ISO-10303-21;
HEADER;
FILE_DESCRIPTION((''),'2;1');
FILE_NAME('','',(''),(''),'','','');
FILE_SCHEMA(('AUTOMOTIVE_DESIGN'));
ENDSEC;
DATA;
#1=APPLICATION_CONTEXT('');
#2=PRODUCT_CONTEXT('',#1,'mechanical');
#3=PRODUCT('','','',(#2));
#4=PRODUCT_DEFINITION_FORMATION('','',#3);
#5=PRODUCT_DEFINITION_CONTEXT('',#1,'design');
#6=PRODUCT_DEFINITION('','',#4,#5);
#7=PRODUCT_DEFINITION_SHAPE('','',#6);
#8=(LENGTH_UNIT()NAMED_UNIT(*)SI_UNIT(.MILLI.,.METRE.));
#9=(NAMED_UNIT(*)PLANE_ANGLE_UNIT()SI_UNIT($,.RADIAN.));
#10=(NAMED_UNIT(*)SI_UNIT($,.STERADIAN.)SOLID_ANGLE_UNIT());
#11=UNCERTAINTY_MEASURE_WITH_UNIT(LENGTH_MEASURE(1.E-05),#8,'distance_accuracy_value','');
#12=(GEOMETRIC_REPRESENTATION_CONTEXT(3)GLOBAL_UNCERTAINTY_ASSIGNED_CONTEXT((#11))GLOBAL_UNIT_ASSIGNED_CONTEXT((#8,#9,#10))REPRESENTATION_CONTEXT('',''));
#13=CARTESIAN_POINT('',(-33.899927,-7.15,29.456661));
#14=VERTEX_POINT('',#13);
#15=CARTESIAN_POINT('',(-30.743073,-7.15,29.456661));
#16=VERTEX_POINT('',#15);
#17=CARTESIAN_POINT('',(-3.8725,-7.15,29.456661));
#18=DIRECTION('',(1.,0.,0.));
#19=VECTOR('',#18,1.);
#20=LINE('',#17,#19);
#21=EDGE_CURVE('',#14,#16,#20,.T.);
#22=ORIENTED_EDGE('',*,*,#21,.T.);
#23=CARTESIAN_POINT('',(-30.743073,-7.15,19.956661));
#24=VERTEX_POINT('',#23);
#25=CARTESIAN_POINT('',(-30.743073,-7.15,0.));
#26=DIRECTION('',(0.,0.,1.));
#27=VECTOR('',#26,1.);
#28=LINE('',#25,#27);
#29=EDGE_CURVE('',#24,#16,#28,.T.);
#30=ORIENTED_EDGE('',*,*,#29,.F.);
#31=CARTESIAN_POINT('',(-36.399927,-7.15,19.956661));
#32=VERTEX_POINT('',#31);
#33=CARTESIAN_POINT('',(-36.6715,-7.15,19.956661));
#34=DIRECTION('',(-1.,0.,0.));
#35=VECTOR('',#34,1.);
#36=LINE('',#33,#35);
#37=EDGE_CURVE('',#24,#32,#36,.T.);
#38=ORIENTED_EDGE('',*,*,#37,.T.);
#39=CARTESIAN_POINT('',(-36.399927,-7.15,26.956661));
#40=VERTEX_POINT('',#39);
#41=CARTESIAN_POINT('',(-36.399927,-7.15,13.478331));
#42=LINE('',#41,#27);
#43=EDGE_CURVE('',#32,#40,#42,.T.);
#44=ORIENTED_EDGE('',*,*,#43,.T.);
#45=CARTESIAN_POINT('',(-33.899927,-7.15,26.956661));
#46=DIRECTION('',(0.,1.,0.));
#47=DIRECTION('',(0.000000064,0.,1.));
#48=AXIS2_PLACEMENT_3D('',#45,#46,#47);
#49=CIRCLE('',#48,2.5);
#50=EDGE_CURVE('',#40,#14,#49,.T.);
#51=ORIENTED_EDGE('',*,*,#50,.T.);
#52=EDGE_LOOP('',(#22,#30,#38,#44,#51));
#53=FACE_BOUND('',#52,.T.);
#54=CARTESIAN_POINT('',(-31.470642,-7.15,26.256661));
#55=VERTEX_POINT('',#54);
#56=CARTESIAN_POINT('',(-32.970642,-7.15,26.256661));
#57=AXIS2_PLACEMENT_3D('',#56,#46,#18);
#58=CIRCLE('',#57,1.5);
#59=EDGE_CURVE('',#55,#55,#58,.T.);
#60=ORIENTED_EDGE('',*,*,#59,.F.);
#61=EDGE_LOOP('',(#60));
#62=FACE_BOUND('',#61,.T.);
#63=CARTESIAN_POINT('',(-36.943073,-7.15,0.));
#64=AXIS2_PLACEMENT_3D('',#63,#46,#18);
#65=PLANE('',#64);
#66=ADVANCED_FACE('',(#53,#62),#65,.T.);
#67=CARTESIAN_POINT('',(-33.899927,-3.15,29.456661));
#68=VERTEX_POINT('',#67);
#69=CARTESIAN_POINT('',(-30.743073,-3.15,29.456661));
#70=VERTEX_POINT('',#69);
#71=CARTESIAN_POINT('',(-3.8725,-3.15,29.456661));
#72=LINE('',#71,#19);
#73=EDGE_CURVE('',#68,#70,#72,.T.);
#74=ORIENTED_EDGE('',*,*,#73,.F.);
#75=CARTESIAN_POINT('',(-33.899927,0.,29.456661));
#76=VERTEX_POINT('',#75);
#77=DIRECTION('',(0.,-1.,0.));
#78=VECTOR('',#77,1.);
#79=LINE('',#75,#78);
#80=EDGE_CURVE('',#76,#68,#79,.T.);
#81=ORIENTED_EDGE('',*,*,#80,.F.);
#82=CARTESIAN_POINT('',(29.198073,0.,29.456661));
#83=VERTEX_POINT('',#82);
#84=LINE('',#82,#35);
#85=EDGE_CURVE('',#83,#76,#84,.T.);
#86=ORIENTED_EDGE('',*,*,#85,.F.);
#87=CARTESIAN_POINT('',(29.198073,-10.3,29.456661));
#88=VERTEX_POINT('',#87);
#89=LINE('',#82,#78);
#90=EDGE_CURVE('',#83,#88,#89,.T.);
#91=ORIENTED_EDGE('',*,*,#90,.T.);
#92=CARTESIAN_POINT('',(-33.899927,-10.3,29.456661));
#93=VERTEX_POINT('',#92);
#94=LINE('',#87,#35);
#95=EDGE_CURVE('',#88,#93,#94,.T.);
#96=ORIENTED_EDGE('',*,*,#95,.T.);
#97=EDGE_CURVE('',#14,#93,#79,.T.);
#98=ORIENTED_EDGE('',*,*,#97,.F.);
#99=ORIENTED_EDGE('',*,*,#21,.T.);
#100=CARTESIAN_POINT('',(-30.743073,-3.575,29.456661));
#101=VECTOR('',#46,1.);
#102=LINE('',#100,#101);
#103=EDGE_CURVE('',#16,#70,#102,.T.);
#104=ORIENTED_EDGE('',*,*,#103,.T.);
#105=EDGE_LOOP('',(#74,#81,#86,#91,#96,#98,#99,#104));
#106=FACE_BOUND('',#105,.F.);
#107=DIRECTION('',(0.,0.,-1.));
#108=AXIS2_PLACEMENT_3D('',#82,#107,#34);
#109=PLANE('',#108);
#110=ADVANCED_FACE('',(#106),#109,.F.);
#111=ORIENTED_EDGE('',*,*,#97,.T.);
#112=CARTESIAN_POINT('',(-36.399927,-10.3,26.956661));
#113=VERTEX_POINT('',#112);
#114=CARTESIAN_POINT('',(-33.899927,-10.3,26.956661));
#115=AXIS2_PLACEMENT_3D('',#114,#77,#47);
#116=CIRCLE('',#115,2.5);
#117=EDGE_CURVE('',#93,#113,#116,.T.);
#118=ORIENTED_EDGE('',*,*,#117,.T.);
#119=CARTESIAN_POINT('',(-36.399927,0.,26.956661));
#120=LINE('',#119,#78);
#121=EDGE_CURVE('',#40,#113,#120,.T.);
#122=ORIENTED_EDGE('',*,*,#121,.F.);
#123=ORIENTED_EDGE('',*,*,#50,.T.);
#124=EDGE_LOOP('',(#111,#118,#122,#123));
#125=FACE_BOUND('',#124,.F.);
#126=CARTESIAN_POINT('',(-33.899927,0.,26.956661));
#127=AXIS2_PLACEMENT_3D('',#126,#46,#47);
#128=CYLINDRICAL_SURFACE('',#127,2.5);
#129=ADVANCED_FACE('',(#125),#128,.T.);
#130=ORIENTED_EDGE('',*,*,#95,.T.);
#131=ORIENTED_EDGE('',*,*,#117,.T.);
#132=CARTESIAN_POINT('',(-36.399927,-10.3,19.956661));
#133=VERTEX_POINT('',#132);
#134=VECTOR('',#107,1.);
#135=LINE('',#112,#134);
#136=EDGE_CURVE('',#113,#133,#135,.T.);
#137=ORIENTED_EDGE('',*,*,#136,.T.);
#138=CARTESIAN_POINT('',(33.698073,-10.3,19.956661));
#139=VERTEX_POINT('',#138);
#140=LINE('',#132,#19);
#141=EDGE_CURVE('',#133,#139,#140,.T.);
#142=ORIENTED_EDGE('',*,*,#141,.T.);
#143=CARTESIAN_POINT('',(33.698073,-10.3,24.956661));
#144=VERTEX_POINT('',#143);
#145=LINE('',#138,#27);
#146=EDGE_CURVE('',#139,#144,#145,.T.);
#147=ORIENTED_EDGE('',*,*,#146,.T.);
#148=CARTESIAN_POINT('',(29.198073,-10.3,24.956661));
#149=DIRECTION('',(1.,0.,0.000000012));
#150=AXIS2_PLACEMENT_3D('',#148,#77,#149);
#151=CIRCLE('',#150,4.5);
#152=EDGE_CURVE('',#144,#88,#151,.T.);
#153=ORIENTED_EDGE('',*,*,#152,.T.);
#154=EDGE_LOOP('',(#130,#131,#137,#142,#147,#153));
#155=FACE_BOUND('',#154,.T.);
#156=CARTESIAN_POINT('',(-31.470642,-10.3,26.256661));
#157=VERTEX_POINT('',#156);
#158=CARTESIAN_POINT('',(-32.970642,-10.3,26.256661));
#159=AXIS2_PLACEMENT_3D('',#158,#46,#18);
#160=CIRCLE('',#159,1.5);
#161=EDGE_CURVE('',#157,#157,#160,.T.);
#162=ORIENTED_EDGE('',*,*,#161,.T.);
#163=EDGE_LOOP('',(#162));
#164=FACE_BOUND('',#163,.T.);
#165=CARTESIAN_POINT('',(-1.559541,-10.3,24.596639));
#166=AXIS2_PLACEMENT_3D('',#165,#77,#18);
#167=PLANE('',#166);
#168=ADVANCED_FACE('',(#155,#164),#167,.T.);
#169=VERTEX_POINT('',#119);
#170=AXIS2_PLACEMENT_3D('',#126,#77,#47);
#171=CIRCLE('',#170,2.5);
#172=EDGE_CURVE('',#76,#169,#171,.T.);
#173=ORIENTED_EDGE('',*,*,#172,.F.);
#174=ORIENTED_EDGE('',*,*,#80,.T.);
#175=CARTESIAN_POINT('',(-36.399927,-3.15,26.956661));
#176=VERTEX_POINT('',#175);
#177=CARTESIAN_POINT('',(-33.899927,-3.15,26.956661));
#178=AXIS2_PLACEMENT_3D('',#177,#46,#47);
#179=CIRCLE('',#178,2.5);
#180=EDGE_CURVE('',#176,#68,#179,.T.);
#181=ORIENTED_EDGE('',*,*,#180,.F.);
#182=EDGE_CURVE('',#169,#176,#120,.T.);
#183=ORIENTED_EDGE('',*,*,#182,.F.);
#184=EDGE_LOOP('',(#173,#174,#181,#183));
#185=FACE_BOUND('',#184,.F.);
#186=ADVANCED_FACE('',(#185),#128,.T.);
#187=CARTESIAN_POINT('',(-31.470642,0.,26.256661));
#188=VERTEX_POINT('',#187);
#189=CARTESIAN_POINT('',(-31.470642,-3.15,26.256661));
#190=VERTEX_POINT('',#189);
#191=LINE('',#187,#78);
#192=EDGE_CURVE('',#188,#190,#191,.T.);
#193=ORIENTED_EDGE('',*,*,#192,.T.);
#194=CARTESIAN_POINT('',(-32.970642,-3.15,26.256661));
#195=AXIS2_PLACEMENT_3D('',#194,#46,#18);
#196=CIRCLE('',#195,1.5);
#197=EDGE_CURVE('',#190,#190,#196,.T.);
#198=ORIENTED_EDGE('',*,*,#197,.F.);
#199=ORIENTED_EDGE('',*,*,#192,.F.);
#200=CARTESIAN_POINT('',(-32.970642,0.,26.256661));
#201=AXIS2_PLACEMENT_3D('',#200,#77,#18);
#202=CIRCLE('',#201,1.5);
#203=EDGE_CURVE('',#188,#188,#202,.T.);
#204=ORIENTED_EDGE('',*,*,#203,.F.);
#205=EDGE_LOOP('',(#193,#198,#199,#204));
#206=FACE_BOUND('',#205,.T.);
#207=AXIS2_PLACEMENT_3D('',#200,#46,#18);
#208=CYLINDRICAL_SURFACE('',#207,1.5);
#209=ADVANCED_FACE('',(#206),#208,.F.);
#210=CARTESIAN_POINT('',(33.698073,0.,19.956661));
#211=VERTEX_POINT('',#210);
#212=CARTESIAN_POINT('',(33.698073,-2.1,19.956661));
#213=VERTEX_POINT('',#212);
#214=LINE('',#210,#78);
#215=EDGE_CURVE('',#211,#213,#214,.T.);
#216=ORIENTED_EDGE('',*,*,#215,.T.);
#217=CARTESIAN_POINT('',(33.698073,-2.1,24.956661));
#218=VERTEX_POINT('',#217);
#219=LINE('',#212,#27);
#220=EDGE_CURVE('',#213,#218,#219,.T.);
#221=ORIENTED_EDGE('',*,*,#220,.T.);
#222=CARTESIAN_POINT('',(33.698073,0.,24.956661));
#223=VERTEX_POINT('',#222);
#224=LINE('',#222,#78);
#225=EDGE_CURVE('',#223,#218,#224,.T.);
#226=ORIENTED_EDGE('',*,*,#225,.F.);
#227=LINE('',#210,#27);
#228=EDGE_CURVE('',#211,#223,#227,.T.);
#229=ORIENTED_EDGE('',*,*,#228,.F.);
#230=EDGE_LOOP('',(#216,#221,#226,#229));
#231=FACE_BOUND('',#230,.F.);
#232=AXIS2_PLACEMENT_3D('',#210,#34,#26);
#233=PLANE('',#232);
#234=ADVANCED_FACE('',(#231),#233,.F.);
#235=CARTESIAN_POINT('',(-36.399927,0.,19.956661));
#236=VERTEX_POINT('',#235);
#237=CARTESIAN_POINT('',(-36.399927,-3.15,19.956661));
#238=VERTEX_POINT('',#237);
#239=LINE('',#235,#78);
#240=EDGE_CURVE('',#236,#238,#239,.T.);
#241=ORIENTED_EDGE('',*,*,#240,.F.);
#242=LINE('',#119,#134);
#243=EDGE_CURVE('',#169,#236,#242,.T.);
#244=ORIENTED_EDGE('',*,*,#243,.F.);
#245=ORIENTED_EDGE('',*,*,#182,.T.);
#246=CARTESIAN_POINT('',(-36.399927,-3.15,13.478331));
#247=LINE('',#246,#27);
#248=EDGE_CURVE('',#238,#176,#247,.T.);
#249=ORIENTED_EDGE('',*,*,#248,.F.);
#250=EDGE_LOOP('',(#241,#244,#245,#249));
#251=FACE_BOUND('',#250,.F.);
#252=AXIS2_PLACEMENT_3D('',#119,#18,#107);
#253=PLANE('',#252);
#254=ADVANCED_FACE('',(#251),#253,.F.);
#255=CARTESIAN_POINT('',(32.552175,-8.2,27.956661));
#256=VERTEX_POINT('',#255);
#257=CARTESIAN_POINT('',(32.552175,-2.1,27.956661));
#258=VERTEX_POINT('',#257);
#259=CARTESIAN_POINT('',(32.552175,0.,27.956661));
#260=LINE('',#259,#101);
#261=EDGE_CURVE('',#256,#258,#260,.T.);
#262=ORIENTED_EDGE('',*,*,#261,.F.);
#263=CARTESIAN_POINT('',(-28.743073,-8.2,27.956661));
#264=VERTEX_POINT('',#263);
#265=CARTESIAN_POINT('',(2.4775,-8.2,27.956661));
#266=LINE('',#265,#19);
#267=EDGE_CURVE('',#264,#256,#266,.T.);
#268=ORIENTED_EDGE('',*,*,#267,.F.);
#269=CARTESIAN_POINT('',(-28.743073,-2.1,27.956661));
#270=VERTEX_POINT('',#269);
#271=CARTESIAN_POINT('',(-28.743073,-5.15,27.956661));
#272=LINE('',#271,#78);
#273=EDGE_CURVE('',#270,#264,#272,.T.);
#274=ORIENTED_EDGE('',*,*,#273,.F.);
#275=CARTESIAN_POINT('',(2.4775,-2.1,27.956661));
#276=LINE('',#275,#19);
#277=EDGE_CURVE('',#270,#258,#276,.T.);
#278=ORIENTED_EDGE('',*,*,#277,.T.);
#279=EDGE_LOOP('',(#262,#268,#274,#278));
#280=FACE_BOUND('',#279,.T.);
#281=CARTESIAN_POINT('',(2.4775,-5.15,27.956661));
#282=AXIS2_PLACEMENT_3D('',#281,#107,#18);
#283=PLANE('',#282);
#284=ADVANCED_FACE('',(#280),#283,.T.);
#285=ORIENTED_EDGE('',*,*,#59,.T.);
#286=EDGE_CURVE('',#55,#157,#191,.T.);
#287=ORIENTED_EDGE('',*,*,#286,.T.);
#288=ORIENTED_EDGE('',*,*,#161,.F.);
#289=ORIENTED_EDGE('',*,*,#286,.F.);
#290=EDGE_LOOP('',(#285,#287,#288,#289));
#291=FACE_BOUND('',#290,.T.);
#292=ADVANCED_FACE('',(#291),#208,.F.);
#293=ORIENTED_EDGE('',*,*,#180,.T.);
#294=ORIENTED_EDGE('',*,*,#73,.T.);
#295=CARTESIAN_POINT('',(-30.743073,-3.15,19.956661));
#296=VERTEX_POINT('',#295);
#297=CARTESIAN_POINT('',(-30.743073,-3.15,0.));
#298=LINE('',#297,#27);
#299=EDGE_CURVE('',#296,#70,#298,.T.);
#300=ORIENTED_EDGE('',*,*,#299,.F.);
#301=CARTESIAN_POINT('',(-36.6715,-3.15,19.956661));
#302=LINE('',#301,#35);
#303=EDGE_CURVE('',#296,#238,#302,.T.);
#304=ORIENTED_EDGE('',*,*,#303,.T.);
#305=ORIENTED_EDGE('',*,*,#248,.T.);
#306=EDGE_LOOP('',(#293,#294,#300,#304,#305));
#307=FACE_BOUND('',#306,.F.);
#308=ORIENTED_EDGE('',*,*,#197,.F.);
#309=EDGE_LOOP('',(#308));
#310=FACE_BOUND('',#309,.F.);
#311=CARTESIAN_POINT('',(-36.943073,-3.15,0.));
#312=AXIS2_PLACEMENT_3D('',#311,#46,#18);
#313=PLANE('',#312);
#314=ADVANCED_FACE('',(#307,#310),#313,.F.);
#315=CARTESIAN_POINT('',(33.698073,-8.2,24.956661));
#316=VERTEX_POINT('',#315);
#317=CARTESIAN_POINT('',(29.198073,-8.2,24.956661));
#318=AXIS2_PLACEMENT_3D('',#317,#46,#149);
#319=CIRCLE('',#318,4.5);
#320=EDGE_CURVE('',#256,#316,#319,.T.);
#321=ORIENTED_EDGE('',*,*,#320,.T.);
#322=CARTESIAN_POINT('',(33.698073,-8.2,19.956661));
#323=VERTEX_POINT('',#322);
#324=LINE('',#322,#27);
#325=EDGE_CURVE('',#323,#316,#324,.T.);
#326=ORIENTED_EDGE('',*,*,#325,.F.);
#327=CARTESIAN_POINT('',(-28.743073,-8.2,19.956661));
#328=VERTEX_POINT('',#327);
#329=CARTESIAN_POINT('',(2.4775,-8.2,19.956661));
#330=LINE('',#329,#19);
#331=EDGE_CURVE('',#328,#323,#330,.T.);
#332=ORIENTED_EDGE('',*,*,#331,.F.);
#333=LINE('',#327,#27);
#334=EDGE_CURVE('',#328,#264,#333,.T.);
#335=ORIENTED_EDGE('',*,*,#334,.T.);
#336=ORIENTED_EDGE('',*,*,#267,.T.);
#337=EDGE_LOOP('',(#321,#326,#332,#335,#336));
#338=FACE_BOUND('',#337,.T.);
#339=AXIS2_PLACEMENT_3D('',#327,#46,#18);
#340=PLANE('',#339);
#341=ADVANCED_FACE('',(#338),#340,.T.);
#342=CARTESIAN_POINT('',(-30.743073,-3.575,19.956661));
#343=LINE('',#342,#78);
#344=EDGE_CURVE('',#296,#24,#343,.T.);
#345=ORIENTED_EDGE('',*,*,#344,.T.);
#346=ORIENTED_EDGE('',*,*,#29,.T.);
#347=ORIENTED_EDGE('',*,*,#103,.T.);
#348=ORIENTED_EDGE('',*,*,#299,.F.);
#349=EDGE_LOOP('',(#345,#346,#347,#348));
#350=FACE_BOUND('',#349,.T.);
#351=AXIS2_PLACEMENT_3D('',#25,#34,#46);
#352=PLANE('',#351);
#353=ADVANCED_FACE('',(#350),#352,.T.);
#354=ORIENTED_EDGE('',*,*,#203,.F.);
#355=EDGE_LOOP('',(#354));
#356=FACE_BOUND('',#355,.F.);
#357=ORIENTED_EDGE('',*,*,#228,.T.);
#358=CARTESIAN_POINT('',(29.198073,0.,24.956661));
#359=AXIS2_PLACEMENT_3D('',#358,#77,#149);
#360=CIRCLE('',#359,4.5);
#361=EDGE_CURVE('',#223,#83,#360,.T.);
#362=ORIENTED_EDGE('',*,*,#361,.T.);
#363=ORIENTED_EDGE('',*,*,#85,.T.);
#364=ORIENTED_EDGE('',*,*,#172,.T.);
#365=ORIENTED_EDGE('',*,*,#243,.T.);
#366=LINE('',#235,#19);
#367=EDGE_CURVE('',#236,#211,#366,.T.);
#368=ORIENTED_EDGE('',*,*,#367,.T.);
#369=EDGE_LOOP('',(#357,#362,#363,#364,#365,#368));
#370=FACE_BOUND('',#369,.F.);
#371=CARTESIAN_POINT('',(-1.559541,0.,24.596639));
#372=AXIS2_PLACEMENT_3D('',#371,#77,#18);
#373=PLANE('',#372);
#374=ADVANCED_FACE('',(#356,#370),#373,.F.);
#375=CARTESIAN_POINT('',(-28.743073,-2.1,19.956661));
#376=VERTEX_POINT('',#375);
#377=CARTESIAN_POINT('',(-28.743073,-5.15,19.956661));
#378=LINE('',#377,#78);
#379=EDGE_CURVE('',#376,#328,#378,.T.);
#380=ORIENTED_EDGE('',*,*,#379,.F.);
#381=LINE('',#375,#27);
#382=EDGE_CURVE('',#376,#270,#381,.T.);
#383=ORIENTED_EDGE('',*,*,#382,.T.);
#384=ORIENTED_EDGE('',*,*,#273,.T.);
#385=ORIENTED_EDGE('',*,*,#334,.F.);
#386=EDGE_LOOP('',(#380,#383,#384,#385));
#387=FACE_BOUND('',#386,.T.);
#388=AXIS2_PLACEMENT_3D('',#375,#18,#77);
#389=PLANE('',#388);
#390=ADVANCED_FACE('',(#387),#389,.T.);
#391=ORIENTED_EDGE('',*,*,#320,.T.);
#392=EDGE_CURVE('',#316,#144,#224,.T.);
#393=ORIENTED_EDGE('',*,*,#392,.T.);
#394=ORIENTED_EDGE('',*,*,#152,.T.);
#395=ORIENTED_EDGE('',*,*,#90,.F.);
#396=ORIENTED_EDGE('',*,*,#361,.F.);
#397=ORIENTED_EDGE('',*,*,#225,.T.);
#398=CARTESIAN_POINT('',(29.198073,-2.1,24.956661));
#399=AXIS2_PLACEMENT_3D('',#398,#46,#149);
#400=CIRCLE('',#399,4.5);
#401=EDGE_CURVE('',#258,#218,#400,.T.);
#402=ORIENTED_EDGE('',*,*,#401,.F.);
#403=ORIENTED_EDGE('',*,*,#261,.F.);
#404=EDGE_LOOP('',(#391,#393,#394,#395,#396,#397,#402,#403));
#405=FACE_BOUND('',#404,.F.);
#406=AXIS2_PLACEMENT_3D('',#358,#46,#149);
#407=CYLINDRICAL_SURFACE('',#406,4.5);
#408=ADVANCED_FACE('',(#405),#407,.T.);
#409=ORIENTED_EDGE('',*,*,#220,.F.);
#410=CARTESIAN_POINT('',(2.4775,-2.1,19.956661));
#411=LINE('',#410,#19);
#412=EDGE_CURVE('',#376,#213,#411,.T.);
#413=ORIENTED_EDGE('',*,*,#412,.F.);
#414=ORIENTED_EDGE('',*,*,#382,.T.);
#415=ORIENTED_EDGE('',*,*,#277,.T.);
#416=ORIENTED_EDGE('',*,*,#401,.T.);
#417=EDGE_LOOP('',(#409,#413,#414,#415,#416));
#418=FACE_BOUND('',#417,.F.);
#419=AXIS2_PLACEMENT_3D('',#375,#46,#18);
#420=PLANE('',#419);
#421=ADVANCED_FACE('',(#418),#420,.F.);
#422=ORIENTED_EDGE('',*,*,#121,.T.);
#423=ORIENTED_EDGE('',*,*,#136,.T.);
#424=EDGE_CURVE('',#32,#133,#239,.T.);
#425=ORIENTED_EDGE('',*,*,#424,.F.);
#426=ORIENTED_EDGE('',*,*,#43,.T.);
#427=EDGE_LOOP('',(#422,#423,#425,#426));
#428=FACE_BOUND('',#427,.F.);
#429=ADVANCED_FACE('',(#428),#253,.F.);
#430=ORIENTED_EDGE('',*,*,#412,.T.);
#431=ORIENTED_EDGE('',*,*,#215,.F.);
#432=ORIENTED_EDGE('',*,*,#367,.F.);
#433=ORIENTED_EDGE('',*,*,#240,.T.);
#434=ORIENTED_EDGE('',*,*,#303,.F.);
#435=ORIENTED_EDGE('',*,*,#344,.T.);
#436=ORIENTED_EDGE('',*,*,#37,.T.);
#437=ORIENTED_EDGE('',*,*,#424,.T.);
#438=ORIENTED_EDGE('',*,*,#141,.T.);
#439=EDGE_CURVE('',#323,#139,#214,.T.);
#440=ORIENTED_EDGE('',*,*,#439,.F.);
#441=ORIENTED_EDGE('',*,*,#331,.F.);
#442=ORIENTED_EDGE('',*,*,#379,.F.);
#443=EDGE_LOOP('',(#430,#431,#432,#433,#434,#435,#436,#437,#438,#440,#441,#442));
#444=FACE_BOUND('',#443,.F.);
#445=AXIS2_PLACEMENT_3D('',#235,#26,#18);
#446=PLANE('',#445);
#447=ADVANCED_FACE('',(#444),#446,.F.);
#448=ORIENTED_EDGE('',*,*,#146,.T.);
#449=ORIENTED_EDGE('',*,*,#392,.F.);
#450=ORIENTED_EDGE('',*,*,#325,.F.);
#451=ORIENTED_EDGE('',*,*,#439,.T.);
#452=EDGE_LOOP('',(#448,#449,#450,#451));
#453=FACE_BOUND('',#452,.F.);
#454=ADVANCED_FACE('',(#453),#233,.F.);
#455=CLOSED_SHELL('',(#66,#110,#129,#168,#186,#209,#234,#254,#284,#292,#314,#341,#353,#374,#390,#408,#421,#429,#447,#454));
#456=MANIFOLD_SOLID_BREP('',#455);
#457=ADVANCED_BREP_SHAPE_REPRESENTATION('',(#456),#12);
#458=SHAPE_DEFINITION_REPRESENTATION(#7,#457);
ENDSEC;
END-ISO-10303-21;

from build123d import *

# Parameters (mm, degrees)
F1_DEPTH = 10.3
F2_W     = 6.2
F2_H     = 4
F3_DEPTH = 29.457661
F4_R     = 1.5
F5_DEPTH = 10.301
F6_W     = 62.441146
F6_H     = 6.1
F7_DEPTH = 8


with BuildPart() as f1:
    # F0 (on Front) → F1 (new body)
    with BuildSketch(Plane.XZ):
        with BuildLine():
            Line((29.198073, 29.456661), (-33.899927, 29.456661))
            ThreePointArc((-33.899927, 29.456661), (-35.667694, 28.724428), (-36.399927, 26.956661))
            Line((-36.399927, 26.956661), (-36.399927, 19.956661))
            Line((-36.399927, 19.956661), (33.698073, 19.956661))
            Line((33.698073, 19.956661), (33.698073, 24.956661))
            ThreePointArc((33.698073, 24.956661), (32.380053, 28.138642), (29.198073, 29.456661))
        make_face()
    extrude(amount=F1_DEPTH)

    # F2 (on Top) → F3 (cut, through all)
    with BuildSketch(Plane.XY):
        with Locations((-33.843073, -5.15)):
            Rectangle(F2_W, F2_H)
    extrude(amount=F3_DEPTH, mode=Mode.SUBTRACT)

    # F4 (on Front) → F5 (cut, through all)
    with BuildSketch(Plane.XZ):
        with Locations((-32.970642, 26.256661)):
            Circle(F4_R)
    extrude(amount=F5_DEPTH, mode=Mode.SUBTRACT)

    # F6 (on face) → F7 (cut)
    with BuildSketch(Plane(origin=(0, 0, 19.956661), x_dir=(1, 0, 0), z_dir=(0, 0, -1))):
        with Locations((2.4775, 5.15)):
            Rectangle(F6_W, F6_H)
    extrude(amount=-F7_DEPTH, mode=Mode.SUBTRACT)


solid = f1.part
